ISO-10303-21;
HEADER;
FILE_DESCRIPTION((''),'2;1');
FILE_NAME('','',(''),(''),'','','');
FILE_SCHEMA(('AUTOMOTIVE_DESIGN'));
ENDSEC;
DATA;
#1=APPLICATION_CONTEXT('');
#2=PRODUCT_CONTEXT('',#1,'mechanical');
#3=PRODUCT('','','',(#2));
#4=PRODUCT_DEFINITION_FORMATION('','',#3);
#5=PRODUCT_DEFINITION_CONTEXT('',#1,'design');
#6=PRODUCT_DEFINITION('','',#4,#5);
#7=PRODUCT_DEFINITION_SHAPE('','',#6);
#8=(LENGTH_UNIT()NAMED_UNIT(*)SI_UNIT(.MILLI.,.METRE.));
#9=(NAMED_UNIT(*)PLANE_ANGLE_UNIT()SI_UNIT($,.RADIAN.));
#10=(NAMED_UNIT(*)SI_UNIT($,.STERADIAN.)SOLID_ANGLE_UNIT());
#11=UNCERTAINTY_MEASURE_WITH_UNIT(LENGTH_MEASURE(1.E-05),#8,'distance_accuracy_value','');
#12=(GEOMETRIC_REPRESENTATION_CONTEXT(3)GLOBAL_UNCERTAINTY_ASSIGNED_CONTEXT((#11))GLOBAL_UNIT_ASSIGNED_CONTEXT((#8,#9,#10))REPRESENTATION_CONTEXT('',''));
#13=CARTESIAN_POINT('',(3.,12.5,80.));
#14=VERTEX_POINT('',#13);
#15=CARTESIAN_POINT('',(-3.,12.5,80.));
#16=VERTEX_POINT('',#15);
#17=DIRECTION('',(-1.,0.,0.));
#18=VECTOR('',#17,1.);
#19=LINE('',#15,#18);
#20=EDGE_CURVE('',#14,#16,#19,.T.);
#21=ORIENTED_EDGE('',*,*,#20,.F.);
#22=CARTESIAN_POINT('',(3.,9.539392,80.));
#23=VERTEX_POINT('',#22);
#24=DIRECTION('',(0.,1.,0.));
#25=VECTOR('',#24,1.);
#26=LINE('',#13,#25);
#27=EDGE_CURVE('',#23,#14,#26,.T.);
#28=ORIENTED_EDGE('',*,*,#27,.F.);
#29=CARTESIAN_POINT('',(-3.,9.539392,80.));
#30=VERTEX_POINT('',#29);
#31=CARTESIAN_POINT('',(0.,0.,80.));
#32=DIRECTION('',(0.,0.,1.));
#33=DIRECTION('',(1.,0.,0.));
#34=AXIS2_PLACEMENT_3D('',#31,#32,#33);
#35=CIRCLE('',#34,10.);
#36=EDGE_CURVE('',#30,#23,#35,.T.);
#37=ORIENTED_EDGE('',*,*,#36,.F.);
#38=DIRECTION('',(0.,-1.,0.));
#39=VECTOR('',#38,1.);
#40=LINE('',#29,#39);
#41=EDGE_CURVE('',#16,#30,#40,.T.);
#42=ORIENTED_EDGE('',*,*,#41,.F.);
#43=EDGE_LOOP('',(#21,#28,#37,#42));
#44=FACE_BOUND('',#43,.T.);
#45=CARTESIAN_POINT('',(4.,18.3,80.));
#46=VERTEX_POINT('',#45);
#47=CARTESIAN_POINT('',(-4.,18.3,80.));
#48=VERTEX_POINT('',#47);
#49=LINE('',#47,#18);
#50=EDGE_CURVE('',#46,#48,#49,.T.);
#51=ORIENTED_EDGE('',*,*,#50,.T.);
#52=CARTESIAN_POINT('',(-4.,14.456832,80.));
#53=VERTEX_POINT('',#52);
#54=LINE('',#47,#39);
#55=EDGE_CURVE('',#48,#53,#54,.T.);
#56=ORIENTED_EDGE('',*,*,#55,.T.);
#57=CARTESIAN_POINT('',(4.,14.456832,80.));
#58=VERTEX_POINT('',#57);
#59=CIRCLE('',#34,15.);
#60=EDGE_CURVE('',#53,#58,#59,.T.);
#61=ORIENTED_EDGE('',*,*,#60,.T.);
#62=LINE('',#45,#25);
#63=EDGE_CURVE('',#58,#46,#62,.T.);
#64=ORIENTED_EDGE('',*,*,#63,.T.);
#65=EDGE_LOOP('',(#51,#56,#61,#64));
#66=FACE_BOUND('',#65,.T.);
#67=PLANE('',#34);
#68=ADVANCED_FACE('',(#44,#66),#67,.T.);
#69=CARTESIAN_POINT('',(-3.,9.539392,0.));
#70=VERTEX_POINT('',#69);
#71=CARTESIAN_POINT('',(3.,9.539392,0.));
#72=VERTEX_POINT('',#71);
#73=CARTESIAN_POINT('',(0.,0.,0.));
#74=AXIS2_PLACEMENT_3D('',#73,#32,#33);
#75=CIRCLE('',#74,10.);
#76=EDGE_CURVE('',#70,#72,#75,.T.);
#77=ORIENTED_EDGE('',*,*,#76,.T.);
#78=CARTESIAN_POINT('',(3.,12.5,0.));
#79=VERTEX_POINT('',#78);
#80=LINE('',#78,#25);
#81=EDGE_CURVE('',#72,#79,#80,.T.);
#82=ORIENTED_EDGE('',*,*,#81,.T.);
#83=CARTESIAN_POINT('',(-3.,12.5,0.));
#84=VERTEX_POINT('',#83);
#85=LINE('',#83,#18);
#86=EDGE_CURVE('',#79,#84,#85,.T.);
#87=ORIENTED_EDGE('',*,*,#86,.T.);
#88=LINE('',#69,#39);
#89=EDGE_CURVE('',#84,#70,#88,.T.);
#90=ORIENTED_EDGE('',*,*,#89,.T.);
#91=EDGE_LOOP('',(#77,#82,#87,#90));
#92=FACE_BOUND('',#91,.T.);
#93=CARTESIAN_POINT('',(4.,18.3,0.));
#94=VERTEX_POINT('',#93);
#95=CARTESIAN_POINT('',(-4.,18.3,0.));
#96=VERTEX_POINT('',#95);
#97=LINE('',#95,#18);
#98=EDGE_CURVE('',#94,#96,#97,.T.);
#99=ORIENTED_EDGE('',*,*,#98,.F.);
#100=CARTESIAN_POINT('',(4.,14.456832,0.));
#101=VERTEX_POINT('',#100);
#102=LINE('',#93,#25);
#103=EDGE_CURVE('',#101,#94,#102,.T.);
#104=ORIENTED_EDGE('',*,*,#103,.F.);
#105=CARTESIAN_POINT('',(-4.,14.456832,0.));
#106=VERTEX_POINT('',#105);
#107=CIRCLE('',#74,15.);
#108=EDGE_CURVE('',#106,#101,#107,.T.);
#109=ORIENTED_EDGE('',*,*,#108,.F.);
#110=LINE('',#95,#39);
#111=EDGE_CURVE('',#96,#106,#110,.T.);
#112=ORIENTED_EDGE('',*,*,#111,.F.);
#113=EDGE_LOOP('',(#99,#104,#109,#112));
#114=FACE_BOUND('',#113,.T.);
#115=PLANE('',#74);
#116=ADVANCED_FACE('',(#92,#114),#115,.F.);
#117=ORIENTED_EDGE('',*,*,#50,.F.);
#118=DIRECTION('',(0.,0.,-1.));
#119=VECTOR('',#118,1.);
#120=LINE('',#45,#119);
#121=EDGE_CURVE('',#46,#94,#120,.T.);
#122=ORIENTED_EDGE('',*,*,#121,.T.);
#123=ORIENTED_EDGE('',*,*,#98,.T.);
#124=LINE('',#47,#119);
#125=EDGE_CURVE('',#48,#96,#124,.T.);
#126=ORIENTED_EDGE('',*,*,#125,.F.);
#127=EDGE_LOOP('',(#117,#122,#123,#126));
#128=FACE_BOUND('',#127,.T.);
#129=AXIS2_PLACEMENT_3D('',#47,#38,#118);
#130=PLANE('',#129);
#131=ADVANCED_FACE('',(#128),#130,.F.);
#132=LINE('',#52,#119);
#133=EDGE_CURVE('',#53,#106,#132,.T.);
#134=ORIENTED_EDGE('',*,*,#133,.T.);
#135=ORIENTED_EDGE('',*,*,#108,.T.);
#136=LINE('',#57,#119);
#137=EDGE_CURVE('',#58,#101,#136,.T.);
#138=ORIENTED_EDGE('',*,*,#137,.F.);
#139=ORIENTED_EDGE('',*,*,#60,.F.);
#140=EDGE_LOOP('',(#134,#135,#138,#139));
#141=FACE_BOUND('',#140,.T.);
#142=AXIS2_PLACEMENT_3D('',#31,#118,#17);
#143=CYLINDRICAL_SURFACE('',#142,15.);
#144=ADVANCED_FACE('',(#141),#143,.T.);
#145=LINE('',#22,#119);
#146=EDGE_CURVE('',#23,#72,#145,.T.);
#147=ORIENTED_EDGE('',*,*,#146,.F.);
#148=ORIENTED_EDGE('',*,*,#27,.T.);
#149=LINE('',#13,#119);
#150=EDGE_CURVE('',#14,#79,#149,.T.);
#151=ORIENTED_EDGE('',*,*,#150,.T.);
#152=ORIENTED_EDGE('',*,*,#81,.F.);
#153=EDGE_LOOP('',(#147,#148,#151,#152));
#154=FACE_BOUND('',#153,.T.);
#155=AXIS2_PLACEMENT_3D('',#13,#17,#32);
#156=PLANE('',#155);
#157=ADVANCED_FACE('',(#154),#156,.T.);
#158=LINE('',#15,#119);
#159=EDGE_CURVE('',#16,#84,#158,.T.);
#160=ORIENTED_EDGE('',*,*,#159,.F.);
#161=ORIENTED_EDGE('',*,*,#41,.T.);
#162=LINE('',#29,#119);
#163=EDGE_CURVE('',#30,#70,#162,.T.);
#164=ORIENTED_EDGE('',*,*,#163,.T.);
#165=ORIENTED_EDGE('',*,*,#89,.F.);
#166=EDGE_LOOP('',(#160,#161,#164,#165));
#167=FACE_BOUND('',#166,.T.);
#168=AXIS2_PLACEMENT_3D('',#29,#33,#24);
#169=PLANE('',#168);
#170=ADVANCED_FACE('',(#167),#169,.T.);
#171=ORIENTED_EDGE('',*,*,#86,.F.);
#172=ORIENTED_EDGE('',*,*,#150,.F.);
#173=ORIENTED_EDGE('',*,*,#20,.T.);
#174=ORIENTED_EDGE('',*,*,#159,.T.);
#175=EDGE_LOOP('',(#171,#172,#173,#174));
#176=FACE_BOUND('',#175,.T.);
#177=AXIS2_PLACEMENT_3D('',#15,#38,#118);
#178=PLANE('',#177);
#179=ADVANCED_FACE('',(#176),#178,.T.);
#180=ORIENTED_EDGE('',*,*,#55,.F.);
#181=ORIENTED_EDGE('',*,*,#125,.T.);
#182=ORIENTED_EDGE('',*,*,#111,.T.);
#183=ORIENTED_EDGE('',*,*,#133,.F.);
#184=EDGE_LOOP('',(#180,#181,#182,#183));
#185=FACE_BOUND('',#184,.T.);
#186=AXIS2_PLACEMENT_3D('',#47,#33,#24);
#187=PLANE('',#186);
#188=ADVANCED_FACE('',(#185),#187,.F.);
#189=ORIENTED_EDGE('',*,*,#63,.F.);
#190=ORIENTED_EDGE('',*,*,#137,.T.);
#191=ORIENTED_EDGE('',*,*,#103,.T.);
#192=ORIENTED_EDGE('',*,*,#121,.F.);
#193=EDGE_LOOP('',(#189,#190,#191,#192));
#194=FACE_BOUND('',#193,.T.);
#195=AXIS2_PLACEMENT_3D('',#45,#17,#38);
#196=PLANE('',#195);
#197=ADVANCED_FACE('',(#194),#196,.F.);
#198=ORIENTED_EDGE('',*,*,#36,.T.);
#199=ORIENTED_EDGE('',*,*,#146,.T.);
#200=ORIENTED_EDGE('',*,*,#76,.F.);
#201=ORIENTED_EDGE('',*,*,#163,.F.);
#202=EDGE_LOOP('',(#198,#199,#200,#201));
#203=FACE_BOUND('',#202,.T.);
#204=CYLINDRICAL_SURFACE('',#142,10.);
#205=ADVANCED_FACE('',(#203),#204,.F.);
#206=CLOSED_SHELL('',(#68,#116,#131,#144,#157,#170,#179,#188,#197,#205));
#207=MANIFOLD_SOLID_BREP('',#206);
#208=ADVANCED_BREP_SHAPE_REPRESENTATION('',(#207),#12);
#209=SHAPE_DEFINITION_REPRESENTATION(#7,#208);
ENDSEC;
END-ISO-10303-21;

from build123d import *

# Parameters (mm, degrees)
EXTRUDE_1_DEPTH = 80


with BuildPart() as part:
    # 草图1 → 凸台-拉伸1 (new body)
    with BuildSketch(Plane.XY):
        with BuildLine():
            Line((-4, 18.3), (-4, 14.456832295))
            ThreePointArc((-4, 14.456832295), (0, -15), (4, 14.456832295))
            Line((4, 14.456832295), (4, 18.3))
            Line((4, 18.3), (-4, 18.3))
        make_face()
        with BuildLine():
            Line((-3, 9.539392014), (-3, 12.5))
            Line((-3, 12.5), (3, 12.5))
            Line((3, 12.5), (3, 9.539392014))
            ThreePointArc((3, 9.539392014), (0, -10), (-3, 9.539392014))
        make_face(mode=Mode.SUBTRACT)
    extrude(amount=EXTRUDE_1_DEPTH)


solid = part.part
